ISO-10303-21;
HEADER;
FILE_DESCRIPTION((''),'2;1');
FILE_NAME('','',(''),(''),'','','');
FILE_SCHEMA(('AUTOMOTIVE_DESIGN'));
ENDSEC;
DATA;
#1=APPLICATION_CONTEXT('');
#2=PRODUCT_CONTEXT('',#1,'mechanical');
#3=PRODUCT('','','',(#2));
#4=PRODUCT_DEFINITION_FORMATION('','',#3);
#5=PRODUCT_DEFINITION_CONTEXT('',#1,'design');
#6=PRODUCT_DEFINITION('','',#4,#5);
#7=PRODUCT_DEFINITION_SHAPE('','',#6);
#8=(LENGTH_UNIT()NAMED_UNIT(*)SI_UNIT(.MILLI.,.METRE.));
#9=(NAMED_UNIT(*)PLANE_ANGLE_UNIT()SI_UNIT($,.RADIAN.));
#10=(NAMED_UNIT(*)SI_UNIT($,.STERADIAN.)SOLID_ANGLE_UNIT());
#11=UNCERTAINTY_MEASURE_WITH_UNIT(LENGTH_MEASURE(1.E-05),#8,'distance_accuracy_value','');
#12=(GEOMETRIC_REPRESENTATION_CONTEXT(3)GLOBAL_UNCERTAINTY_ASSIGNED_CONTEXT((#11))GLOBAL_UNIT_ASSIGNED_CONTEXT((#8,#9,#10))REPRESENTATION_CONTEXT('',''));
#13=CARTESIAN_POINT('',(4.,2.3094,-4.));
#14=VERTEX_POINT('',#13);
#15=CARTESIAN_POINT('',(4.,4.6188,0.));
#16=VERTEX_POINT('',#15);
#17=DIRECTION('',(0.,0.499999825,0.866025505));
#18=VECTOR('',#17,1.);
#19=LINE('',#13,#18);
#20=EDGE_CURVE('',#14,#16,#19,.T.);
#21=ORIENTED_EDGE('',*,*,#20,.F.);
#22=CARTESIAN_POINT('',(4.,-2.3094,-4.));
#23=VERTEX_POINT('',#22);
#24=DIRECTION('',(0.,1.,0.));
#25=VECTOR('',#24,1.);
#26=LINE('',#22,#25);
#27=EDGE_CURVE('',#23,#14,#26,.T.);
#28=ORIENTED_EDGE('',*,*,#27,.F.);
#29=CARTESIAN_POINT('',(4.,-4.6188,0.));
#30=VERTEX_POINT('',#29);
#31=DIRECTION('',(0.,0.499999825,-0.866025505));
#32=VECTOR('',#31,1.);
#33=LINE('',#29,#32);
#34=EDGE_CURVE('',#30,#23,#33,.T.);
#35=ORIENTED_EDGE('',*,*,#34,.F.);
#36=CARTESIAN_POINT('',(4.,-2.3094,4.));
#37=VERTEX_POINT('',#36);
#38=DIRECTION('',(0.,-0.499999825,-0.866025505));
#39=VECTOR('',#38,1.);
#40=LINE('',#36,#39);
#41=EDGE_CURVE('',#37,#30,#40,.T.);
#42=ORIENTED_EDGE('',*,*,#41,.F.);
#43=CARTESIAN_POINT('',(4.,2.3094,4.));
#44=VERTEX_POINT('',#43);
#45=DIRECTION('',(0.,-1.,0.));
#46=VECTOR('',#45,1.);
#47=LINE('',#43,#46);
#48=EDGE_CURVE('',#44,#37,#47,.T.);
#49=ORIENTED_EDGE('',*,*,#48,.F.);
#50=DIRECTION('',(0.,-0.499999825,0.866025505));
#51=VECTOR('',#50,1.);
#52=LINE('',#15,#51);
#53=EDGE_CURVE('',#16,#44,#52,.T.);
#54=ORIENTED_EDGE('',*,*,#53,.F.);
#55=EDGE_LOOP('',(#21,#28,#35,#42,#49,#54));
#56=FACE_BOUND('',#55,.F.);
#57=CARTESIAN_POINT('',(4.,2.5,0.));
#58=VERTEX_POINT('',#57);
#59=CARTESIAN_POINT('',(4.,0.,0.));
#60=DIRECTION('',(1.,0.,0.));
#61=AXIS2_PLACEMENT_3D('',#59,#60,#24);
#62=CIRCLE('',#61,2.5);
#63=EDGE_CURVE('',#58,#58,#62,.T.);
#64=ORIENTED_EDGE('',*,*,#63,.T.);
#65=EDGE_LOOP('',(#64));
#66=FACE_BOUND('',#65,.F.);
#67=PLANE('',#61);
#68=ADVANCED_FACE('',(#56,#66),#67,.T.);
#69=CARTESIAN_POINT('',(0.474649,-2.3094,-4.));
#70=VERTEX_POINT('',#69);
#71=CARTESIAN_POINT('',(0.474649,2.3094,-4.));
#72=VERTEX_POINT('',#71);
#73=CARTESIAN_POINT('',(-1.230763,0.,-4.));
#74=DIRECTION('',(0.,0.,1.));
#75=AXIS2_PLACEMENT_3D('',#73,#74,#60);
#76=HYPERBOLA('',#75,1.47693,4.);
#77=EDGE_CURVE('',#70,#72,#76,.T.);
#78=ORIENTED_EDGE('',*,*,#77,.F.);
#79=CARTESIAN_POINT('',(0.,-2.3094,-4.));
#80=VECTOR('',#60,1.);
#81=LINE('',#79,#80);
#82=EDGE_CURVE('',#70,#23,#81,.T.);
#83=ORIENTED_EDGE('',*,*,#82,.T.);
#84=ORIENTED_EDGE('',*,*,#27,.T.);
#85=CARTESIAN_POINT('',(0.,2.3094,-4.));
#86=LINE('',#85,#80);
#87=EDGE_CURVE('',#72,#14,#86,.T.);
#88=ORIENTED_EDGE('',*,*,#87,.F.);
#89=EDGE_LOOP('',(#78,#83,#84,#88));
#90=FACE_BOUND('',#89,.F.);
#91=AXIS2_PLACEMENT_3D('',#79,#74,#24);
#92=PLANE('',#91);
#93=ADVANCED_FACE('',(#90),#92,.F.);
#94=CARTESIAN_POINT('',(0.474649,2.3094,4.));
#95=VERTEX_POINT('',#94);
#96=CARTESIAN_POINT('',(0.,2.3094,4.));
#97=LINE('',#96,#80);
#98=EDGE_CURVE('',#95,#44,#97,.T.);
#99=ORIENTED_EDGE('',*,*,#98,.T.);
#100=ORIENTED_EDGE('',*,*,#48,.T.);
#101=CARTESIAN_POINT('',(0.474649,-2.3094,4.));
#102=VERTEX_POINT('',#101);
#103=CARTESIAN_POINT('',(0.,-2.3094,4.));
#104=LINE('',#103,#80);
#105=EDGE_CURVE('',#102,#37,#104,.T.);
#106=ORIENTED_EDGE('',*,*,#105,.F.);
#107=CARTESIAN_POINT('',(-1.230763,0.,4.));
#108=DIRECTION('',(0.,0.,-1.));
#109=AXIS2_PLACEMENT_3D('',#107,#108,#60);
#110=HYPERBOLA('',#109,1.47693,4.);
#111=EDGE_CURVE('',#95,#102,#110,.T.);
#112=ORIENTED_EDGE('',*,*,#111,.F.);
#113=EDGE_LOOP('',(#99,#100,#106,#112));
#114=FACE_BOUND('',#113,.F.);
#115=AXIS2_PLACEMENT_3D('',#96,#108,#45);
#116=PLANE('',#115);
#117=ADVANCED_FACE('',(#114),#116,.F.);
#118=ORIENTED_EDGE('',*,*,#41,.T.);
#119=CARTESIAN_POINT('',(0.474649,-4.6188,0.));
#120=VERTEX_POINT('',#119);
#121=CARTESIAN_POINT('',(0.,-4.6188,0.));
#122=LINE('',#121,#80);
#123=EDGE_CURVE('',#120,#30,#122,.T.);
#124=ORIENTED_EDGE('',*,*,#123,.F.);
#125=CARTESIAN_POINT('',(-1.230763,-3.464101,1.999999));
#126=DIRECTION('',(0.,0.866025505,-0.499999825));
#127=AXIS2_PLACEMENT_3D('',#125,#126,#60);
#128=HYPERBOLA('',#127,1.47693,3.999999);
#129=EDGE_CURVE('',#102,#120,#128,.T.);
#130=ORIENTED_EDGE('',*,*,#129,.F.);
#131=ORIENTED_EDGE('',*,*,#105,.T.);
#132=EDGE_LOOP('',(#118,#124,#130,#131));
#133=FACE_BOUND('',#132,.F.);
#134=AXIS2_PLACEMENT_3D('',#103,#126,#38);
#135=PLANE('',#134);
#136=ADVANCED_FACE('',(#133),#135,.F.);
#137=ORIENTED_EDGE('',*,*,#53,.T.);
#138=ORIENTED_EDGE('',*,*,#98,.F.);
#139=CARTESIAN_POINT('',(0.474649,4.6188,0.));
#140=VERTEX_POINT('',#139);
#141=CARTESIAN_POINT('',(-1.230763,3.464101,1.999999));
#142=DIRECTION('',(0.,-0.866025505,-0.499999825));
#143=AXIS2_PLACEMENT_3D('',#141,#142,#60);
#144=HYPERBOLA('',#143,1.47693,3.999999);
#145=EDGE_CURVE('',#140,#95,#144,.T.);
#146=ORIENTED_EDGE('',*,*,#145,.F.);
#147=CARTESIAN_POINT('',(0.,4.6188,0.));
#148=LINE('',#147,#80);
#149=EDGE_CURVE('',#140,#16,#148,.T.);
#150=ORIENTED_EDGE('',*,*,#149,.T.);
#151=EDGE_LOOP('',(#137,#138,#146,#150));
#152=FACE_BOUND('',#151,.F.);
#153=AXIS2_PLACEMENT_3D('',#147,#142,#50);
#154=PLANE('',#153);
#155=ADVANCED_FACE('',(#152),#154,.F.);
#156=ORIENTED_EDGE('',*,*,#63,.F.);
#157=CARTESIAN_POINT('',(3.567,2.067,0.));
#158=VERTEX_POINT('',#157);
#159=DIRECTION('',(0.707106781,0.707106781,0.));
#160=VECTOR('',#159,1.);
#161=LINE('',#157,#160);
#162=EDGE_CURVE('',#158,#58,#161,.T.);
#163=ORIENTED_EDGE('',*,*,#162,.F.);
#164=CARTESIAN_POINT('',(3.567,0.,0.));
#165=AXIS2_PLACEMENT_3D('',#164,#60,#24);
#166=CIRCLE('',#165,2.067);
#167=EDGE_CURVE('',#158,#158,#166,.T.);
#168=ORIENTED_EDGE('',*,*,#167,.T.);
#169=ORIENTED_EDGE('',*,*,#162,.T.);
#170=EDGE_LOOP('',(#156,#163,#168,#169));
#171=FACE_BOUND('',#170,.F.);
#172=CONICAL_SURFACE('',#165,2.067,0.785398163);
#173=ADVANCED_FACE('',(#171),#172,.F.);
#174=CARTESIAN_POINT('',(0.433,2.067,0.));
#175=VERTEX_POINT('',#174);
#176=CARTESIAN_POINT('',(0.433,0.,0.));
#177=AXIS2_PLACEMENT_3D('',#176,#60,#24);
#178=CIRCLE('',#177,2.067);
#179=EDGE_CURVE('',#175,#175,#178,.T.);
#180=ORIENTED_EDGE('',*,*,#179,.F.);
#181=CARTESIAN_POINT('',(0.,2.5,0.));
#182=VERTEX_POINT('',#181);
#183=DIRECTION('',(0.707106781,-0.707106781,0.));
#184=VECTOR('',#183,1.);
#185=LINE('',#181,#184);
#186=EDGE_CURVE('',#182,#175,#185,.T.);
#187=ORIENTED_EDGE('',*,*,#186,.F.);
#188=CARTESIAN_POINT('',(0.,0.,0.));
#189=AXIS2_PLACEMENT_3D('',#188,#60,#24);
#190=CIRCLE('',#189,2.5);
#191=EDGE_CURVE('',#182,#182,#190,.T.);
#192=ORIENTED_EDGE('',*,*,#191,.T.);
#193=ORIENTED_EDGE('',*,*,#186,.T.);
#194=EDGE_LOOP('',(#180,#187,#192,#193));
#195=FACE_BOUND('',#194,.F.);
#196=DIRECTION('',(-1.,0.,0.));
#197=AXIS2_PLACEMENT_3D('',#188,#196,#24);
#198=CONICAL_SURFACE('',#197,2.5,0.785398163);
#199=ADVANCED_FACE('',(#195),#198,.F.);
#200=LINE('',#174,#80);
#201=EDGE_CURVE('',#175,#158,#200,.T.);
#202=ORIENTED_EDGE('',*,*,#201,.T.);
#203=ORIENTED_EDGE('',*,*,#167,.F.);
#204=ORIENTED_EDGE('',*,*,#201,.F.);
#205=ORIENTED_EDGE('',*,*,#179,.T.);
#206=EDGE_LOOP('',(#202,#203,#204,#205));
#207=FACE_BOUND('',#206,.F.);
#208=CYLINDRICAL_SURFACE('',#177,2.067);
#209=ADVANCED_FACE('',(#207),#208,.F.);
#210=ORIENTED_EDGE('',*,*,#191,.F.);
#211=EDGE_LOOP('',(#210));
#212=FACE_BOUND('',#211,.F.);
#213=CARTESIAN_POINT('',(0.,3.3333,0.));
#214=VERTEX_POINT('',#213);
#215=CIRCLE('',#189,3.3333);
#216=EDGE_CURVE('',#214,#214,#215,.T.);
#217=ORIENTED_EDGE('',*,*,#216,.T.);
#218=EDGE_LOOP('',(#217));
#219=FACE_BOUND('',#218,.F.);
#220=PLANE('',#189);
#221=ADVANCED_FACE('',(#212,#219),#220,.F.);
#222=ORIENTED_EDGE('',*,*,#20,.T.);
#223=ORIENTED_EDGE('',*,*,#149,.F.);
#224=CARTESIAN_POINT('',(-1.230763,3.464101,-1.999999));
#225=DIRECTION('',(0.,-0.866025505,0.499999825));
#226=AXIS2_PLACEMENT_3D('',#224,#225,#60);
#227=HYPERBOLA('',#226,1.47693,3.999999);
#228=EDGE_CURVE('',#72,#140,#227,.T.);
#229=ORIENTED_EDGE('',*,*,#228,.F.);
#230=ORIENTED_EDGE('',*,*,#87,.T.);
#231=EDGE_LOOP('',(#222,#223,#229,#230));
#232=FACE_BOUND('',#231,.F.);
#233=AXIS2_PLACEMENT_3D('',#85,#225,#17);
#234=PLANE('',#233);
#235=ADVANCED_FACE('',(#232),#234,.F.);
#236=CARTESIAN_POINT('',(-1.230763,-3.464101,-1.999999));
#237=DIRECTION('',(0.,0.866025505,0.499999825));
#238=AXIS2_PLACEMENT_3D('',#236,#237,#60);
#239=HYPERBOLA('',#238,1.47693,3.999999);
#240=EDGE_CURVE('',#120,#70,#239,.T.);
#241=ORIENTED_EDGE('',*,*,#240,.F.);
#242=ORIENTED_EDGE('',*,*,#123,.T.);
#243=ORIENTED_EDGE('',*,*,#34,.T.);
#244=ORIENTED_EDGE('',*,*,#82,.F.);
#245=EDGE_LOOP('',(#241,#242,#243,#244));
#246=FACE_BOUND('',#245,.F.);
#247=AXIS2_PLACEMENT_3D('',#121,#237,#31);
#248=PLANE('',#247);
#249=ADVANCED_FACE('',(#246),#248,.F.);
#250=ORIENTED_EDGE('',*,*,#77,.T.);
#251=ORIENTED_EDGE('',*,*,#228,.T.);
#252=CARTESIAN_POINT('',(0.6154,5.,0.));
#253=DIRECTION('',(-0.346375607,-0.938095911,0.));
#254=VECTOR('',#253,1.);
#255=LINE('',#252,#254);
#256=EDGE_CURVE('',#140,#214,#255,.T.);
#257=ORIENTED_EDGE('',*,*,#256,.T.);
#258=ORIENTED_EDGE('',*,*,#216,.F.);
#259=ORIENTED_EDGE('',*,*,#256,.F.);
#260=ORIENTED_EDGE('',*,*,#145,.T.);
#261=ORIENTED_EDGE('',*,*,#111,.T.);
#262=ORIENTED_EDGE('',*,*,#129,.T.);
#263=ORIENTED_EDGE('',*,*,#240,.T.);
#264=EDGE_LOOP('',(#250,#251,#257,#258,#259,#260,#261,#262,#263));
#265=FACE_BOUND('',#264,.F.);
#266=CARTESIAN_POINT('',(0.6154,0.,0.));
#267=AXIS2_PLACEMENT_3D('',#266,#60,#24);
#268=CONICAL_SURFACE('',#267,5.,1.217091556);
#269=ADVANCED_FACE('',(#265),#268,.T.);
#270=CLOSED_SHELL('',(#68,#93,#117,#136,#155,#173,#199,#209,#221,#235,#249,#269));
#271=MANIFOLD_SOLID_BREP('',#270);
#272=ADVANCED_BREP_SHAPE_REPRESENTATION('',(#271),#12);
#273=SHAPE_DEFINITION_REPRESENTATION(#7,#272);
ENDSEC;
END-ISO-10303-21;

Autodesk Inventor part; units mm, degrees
sketch "Sketch_1" plane through (0, 0, 0) normal (0, 0, 1) x (1, 0, 0)
  line L0 (4, 0) -> (0, 0)
  line L1 (0, 2.5) -> (0.433, 2.067)
  line L2 (0.433, 2.067) -> (3.567, 2.067)
  line L3 (3.567, 2.067) -> (4, 2.5)
  line L4 (4, 2.5) -> (4, 5)
  line L5 (4, 5) -> (0.6154, 5)
  line L6 (0.6154, 5) -> (0, 3.3333)
  line L7 (0, 3.3333) -> (0, 2.5)
revolve "Revolution1" add sketch "Sketch_1" angle 360 about axis through (4, 0, 0) along (1, 0, 0)
thread "Thread1" size "M5x0.8" class "6H" standard "ISO Metric profile" full length
sketch "Sketch_2" plane through (0, 0, 0) normal (1, 0, 0) x (0, 1, 0)
  line L0 (-4.6188, 8) -> (-9.2376, 0)
  line L1 (-9.2376, 0) -> (-4.6188, -8)
  line L2 (-4.6188, -8) -> (4.6188, -8)
  line L3 (4.6188, -8) -> (9.2376, 0)
  line L4 (9.2376, 0) -> (4.6188, 8)
  line L5 (4.6188, 8) -> (-4.6188, 8)
  line L6 (-2.3094, 4) -> (-4.6188, 0)
  line L7 (-4.6188, 0) -> (-2.3094, -4)
  line L8 (-2.3094, -4) -> (2.3094, -4)
  line L9 (2.3094, -4) -> (4.6188, 0)
  line L10 (4.6188, 0) -> (2.3094, 4)
  line L11 (2.3094, 4) -> (-2.3094, 4)
extrude "Extrusion1" cut sketch "Sketch_2" along normal blind 4
ref_plane "nut_to_pad_XY" through (0, 0, 0) normal (1, 0, 0) x (0, 0, -1)
ref_plane "nut_to_pad_YZ" through (0, 0, 0) normal (0, 0, -1) x (0, 1, 0)
ref_plane "nut_to_pad_ZX" through (0, 0, 0) normal (0, 1, 0) x (1, 0, 0)
properties part number "NFJN5nut"
